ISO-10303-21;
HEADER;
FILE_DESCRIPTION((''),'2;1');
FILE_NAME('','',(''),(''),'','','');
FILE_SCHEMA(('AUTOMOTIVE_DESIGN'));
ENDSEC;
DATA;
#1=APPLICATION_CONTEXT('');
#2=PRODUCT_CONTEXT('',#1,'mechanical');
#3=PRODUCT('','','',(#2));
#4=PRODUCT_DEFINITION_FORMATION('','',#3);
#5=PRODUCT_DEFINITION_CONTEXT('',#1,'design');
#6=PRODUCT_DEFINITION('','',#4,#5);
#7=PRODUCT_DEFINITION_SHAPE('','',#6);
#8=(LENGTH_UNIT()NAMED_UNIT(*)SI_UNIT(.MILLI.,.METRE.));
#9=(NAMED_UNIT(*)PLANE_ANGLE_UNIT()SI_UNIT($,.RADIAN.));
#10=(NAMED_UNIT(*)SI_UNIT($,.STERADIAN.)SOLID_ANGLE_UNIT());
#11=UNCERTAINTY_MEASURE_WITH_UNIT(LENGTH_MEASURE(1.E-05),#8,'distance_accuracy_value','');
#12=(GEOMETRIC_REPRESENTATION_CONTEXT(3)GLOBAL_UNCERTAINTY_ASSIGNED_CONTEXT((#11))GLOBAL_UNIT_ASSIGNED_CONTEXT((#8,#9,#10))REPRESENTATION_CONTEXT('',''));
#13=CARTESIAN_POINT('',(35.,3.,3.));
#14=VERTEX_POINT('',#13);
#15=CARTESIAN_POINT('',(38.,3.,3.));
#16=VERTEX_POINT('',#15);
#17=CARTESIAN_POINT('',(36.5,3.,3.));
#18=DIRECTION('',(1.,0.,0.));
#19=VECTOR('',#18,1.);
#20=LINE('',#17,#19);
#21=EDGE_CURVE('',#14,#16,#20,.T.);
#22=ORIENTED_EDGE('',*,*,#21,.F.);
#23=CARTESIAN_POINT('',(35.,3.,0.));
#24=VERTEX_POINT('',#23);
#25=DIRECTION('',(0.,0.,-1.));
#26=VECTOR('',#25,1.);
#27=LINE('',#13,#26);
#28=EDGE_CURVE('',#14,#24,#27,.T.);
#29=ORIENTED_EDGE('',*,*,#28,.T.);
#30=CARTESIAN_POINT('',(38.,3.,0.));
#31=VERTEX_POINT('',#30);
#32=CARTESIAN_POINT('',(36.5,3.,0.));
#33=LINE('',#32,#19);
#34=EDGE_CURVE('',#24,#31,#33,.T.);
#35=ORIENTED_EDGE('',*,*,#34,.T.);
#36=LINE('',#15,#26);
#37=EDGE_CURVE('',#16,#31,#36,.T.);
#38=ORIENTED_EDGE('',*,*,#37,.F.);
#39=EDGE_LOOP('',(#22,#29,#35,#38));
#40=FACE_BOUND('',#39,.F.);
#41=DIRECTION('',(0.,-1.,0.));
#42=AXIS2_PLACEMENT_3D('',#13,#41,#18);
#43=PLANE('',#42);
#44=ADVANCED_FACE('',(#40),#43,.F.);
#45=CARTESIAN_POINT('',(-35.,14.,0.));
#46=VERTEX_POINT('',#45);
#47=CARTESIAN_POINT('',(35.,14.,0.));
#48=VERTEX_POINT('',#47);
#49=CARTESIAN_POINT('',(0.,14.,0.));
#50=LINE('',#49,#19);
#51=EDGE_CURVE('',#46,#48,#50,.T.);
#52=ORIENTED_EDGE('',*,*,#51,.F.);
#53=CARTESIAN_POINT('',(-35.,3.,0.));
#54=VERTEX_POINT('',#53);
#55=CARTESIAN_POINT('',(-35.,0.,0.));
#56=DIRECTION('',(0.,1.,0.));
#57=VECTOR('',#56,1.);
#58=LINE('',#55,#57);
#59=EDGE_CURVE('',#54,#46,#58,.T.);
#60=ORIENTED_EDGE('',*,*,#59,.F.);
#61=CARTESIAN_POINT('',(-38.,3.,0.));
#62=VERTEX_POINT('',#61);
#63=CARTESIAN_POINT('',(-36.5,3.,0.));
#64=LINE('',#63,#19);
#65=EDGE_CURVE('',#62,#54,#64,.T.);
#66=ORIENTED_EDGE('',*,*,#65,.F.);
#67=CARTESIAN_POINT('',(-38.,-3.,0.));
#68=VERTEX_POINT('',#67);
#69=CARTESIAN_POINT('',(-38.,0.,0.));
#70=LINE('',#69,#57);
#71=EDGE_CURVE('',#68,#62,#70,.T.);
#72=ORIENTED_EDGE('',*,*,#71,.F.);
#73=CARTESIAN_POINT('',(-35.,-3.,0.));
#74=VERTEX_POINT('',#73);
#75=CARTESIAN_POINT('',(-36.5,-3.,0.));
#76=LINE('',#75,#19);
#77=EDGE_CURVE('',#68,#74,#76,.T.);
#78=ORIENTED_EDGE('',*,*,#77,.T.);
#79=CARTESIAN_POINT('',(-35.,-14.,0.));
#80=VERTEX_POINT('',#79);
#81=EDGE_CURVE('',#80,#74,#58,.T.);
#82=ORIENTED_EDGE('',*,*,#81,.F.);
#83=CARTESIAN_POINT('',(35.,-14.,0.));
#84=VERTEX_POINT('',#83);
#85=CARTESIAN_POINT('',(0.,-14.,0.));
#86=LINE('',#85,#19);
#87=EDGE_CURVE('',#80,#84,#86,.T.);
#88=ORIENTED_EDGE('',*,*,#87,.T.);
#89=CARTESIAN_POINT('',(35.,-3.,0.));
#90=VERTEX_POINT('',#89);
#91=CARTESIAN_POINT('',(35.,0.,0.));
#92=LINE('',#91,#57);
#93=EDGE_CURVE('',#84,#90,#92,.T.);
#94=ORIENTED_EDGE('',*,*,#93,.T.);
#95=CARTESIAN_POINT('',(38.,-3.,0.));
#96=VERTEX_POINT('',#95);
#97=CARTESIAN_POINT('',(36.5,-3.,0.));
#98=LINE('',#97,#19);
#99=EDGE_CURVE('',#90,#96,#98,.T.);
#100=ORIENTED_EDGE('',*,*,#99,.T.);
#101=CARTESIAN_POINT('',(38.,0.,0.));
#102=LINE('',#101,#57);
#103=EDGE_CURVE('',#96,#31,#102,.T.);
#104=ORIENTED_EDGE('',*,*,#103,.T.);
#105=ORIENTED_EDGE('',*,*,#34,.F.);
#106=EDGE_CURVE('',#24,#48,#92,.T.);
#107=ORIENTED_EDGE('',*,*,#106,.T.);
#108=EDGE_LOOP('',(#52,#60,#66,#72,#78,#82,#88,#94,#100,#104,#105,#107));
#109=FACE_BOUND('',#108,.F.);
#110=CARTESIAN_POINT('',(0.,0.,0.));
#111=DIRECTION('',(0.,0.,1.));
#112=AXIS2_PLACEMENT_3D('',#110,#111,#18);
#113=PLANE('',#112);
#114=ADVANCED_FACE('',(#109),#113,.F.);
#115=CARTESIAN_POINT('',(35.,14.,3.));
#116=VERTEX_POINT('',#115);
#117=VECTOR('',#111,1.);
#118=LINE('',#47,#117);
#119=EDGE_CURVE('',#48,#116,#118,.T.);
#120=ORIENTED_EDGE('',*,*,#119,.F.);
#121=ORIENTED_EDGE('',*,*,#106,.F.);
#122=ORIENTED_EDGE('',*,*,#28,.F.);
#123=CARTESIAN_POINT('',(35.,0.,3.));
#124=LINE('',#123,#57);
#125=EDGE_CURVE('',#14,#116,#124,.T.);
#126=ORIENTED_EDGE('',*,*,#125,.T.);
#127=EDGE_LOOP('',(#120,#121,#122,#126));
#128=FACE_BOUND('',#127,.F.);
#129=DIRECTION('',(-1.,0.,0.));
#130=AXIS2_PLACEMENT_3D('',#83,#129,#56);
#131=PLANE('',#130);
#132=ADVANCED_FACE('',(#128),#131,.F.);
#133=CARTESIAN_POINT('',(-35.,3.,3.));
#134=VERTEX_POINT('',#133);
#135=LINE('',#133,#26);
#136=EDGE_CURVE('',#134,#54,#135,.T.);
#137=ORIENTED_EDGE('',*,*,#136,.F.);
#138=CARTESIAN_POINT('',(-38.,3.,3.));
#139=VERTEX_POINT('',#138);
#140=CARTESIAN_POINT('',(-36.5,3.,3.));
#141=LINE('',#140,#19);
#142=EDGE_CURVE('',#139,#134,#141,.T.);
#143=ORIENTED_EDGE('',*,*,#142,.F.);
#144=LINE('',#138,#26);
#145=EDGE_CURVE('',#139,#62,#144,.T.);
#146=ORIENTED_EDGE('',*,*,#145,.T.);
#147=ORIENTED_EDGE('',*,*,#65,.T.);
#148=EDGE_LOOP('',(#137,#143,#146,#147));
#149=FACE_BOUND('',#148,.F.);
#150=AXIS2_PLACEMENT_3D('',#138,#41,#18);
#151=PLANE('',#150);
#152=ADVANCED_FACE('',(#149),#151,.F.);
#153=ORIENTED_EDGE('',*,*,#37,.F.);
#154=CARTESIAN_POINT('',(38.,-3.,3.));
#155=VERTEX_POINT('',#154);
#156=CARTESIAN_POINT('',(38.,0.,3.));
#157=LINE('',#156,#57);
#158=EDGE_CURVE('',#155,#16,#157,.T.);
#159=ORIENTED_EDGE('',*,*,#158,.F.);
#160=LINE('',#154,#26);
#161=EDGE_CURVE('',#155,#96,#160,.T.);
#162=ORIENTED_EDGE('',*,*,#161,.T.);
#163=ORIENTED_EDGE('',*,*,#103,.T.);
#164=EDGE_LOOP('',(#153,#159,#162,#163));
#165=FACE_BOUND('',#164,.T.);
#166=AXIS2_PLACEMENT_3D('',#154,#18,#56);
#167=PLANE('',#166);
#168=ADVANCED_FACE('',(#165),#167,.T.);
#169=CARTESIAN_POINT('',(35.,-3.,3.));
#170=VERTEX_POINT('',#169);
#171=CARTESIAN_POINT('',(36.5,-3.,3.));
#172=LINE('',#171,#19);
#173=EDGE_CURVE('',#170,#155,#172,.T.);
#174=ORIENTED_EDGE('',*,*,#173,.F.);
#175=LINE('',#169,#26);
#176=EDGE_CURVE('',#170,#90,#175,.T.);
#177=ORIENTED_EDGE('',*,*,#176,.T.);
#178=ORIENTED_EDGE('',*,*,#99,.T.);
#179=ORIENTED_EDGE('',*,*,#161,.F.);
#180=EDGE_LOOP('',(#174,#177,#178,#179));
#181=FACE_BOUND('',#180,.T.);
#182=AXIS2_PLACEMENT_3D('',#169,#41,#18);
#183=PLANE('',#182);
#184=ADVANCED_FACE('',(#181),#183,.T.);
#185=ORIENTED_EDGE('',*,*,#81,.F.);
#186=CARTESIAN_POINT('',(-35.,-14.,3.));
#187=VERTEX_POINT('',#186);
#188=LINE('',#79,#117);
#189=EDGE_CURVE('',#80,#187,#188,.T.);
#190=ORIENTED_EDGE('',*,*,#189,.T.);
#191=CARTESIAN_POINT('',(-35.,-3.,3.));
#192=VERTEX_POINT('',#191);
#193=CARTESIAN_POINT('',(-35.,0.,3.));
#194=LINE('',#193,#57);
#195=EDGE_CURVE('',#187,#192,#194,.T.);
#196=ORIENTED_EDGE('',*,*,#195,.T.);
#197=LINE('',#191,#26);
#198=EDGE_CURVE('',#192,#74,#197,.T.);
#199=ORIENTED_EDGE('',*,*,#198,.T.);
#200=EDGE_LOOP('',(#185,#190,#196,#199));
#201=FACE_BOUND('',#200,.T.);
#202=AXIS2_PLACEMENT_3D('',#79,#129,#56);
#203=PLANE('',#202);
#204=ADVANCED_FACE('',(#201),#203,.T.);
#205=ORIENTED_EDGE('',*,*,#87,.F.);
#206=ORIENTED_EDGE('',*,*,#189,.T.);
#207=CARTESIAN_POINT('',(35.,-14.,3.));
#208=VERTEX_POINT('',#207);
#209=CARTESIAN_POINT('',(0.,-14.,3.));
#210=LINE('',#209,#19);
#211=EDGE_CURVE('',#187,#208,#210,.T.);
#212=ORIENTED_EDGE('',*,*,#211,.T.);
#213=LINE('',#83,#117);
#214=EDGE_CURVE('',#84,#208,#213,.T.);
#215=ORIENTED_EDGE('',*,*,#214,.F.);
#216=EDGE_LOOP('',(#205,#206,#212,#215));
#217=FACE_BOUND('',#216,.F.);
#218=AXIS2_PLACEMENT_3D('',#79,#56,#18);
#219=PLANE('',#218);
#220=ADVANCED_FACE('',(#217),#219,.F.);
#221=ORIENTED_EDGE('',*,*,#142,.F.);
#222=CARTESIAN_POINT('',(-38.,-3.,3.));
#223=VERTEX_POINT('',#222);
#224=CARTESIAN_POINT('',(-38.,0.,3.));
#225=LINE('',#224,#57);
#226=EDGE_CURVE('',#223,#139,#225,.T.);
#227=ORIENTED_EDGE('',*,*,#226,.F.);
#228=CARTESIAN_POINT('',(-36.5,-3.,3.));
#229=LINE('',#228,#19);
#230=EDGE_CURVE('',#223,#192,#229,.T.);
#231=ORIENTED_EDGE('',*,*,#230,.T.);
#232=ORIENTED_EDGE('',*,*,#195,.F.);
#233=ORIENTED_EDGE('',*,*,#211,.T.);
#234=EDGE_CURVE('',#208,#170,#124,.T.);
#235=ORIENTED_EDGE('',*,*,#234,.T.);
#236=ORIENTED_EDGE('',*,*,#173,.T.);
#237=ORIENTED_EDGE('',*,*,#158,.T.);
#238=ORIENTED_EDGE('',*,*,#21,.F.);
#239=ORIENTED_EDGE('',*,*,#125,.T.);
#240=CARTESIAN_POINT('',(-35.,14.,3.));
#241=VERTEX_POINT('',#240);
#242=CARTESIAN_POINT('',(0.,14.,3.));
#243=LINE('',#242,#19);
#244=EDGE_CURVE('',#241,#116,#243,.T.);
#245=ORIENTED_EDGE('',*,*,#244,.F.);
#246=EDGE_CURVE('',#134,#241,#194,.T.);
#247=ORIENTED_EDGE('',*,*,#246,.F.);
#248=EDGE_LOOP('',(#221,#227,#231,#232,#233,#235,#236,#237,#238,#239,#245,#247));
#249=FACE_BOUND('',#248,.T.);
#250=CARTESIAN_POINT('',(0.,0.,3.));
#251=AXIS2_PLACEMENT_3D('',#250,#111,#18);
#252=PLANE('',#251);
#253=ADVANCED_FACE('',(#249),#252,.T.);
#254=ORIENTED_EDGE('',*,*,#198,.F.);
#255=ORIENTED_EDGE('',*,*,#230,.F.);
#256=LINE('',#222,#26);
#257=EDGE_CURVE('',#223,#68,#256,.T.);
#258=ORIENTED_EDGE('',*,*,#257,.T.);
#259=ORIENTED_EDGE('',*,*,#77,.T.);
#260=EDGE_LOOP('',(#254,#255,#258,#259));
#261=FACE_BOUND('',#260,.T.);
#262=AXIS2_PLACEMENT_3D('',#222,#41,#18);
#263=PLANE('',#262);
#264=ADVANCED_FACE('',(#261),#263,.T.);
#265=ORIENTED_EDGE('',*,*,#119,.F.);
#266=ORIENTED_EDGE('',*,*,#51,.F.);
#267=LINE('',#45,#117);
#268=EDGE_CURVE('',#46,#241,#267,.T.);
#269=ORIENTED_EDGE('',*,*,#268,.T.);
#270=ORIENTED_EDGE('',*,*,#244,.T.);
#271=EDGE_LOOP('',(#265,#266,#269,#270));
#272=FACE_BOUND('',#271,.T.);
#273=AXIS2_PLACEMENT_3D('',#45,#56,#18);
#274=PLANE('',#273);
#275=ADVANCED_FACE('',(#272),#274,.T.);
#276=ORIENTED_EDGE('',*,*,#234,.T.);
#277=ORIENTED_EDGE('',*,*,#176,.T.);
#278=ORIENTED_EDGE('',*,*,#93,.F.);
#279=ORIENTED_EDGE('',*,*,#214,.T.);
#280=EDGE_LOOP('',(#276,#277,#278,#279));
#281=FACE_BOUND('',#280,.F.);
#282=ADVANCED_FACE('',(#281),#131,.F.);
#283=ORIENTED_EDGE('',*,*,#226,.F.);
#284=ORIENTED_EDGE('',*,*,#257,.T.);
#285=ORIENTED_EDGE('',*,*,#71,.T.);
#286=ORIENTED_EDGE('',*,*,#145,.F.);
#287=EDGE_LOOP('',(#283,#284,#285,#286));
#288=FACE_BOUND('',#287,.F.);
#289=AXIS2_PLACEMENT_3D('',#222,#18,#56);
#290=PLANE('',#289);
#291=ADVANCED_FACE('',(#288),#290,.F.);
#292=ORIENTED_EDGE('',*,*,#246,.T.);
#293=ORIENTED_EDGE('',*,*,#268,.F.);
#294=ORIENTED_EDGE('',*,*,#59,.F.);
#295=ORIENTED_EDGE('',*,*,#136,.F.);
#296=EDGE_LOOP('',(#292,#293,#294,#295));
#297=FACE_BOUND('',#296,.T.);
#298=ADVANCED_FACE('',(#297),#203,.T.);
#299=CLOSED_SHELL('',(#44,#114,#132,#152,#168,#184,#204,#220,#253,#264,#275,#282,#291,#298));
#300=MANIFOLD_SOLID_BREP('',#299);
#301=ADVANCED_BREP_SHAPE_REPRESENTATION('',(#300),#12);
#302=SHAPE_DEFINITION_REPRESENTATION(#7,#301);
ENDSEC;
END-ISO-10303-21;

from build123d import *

# Parameters (mm, degrees)
F0_W     = 70
F0_H     = 28
F1_DEPTH = 3
F2_W     = 3
F2_H     = 6
F3_DEPTH = 3


with BuildPart() as f1:
    # F0 (on Top) → F1 (new body)
    with BuildSketch(Plane.XY):
        Rectangle(F0_W, F0_H)
    extrude(amount=F1_DEPTH)

    # F2 (on face) → F3 (join)
    with BuildSketch(Plane.XY.offset(3)):
        with Locations((-36.5, 0)):
            Rectangle(F2_W, F2_H)
        with Locations((36.5, 0)):
            Rectangle(F2_W, F2_H)
    extrude(amount=-F3_DEPTH)


solid = f1.part
